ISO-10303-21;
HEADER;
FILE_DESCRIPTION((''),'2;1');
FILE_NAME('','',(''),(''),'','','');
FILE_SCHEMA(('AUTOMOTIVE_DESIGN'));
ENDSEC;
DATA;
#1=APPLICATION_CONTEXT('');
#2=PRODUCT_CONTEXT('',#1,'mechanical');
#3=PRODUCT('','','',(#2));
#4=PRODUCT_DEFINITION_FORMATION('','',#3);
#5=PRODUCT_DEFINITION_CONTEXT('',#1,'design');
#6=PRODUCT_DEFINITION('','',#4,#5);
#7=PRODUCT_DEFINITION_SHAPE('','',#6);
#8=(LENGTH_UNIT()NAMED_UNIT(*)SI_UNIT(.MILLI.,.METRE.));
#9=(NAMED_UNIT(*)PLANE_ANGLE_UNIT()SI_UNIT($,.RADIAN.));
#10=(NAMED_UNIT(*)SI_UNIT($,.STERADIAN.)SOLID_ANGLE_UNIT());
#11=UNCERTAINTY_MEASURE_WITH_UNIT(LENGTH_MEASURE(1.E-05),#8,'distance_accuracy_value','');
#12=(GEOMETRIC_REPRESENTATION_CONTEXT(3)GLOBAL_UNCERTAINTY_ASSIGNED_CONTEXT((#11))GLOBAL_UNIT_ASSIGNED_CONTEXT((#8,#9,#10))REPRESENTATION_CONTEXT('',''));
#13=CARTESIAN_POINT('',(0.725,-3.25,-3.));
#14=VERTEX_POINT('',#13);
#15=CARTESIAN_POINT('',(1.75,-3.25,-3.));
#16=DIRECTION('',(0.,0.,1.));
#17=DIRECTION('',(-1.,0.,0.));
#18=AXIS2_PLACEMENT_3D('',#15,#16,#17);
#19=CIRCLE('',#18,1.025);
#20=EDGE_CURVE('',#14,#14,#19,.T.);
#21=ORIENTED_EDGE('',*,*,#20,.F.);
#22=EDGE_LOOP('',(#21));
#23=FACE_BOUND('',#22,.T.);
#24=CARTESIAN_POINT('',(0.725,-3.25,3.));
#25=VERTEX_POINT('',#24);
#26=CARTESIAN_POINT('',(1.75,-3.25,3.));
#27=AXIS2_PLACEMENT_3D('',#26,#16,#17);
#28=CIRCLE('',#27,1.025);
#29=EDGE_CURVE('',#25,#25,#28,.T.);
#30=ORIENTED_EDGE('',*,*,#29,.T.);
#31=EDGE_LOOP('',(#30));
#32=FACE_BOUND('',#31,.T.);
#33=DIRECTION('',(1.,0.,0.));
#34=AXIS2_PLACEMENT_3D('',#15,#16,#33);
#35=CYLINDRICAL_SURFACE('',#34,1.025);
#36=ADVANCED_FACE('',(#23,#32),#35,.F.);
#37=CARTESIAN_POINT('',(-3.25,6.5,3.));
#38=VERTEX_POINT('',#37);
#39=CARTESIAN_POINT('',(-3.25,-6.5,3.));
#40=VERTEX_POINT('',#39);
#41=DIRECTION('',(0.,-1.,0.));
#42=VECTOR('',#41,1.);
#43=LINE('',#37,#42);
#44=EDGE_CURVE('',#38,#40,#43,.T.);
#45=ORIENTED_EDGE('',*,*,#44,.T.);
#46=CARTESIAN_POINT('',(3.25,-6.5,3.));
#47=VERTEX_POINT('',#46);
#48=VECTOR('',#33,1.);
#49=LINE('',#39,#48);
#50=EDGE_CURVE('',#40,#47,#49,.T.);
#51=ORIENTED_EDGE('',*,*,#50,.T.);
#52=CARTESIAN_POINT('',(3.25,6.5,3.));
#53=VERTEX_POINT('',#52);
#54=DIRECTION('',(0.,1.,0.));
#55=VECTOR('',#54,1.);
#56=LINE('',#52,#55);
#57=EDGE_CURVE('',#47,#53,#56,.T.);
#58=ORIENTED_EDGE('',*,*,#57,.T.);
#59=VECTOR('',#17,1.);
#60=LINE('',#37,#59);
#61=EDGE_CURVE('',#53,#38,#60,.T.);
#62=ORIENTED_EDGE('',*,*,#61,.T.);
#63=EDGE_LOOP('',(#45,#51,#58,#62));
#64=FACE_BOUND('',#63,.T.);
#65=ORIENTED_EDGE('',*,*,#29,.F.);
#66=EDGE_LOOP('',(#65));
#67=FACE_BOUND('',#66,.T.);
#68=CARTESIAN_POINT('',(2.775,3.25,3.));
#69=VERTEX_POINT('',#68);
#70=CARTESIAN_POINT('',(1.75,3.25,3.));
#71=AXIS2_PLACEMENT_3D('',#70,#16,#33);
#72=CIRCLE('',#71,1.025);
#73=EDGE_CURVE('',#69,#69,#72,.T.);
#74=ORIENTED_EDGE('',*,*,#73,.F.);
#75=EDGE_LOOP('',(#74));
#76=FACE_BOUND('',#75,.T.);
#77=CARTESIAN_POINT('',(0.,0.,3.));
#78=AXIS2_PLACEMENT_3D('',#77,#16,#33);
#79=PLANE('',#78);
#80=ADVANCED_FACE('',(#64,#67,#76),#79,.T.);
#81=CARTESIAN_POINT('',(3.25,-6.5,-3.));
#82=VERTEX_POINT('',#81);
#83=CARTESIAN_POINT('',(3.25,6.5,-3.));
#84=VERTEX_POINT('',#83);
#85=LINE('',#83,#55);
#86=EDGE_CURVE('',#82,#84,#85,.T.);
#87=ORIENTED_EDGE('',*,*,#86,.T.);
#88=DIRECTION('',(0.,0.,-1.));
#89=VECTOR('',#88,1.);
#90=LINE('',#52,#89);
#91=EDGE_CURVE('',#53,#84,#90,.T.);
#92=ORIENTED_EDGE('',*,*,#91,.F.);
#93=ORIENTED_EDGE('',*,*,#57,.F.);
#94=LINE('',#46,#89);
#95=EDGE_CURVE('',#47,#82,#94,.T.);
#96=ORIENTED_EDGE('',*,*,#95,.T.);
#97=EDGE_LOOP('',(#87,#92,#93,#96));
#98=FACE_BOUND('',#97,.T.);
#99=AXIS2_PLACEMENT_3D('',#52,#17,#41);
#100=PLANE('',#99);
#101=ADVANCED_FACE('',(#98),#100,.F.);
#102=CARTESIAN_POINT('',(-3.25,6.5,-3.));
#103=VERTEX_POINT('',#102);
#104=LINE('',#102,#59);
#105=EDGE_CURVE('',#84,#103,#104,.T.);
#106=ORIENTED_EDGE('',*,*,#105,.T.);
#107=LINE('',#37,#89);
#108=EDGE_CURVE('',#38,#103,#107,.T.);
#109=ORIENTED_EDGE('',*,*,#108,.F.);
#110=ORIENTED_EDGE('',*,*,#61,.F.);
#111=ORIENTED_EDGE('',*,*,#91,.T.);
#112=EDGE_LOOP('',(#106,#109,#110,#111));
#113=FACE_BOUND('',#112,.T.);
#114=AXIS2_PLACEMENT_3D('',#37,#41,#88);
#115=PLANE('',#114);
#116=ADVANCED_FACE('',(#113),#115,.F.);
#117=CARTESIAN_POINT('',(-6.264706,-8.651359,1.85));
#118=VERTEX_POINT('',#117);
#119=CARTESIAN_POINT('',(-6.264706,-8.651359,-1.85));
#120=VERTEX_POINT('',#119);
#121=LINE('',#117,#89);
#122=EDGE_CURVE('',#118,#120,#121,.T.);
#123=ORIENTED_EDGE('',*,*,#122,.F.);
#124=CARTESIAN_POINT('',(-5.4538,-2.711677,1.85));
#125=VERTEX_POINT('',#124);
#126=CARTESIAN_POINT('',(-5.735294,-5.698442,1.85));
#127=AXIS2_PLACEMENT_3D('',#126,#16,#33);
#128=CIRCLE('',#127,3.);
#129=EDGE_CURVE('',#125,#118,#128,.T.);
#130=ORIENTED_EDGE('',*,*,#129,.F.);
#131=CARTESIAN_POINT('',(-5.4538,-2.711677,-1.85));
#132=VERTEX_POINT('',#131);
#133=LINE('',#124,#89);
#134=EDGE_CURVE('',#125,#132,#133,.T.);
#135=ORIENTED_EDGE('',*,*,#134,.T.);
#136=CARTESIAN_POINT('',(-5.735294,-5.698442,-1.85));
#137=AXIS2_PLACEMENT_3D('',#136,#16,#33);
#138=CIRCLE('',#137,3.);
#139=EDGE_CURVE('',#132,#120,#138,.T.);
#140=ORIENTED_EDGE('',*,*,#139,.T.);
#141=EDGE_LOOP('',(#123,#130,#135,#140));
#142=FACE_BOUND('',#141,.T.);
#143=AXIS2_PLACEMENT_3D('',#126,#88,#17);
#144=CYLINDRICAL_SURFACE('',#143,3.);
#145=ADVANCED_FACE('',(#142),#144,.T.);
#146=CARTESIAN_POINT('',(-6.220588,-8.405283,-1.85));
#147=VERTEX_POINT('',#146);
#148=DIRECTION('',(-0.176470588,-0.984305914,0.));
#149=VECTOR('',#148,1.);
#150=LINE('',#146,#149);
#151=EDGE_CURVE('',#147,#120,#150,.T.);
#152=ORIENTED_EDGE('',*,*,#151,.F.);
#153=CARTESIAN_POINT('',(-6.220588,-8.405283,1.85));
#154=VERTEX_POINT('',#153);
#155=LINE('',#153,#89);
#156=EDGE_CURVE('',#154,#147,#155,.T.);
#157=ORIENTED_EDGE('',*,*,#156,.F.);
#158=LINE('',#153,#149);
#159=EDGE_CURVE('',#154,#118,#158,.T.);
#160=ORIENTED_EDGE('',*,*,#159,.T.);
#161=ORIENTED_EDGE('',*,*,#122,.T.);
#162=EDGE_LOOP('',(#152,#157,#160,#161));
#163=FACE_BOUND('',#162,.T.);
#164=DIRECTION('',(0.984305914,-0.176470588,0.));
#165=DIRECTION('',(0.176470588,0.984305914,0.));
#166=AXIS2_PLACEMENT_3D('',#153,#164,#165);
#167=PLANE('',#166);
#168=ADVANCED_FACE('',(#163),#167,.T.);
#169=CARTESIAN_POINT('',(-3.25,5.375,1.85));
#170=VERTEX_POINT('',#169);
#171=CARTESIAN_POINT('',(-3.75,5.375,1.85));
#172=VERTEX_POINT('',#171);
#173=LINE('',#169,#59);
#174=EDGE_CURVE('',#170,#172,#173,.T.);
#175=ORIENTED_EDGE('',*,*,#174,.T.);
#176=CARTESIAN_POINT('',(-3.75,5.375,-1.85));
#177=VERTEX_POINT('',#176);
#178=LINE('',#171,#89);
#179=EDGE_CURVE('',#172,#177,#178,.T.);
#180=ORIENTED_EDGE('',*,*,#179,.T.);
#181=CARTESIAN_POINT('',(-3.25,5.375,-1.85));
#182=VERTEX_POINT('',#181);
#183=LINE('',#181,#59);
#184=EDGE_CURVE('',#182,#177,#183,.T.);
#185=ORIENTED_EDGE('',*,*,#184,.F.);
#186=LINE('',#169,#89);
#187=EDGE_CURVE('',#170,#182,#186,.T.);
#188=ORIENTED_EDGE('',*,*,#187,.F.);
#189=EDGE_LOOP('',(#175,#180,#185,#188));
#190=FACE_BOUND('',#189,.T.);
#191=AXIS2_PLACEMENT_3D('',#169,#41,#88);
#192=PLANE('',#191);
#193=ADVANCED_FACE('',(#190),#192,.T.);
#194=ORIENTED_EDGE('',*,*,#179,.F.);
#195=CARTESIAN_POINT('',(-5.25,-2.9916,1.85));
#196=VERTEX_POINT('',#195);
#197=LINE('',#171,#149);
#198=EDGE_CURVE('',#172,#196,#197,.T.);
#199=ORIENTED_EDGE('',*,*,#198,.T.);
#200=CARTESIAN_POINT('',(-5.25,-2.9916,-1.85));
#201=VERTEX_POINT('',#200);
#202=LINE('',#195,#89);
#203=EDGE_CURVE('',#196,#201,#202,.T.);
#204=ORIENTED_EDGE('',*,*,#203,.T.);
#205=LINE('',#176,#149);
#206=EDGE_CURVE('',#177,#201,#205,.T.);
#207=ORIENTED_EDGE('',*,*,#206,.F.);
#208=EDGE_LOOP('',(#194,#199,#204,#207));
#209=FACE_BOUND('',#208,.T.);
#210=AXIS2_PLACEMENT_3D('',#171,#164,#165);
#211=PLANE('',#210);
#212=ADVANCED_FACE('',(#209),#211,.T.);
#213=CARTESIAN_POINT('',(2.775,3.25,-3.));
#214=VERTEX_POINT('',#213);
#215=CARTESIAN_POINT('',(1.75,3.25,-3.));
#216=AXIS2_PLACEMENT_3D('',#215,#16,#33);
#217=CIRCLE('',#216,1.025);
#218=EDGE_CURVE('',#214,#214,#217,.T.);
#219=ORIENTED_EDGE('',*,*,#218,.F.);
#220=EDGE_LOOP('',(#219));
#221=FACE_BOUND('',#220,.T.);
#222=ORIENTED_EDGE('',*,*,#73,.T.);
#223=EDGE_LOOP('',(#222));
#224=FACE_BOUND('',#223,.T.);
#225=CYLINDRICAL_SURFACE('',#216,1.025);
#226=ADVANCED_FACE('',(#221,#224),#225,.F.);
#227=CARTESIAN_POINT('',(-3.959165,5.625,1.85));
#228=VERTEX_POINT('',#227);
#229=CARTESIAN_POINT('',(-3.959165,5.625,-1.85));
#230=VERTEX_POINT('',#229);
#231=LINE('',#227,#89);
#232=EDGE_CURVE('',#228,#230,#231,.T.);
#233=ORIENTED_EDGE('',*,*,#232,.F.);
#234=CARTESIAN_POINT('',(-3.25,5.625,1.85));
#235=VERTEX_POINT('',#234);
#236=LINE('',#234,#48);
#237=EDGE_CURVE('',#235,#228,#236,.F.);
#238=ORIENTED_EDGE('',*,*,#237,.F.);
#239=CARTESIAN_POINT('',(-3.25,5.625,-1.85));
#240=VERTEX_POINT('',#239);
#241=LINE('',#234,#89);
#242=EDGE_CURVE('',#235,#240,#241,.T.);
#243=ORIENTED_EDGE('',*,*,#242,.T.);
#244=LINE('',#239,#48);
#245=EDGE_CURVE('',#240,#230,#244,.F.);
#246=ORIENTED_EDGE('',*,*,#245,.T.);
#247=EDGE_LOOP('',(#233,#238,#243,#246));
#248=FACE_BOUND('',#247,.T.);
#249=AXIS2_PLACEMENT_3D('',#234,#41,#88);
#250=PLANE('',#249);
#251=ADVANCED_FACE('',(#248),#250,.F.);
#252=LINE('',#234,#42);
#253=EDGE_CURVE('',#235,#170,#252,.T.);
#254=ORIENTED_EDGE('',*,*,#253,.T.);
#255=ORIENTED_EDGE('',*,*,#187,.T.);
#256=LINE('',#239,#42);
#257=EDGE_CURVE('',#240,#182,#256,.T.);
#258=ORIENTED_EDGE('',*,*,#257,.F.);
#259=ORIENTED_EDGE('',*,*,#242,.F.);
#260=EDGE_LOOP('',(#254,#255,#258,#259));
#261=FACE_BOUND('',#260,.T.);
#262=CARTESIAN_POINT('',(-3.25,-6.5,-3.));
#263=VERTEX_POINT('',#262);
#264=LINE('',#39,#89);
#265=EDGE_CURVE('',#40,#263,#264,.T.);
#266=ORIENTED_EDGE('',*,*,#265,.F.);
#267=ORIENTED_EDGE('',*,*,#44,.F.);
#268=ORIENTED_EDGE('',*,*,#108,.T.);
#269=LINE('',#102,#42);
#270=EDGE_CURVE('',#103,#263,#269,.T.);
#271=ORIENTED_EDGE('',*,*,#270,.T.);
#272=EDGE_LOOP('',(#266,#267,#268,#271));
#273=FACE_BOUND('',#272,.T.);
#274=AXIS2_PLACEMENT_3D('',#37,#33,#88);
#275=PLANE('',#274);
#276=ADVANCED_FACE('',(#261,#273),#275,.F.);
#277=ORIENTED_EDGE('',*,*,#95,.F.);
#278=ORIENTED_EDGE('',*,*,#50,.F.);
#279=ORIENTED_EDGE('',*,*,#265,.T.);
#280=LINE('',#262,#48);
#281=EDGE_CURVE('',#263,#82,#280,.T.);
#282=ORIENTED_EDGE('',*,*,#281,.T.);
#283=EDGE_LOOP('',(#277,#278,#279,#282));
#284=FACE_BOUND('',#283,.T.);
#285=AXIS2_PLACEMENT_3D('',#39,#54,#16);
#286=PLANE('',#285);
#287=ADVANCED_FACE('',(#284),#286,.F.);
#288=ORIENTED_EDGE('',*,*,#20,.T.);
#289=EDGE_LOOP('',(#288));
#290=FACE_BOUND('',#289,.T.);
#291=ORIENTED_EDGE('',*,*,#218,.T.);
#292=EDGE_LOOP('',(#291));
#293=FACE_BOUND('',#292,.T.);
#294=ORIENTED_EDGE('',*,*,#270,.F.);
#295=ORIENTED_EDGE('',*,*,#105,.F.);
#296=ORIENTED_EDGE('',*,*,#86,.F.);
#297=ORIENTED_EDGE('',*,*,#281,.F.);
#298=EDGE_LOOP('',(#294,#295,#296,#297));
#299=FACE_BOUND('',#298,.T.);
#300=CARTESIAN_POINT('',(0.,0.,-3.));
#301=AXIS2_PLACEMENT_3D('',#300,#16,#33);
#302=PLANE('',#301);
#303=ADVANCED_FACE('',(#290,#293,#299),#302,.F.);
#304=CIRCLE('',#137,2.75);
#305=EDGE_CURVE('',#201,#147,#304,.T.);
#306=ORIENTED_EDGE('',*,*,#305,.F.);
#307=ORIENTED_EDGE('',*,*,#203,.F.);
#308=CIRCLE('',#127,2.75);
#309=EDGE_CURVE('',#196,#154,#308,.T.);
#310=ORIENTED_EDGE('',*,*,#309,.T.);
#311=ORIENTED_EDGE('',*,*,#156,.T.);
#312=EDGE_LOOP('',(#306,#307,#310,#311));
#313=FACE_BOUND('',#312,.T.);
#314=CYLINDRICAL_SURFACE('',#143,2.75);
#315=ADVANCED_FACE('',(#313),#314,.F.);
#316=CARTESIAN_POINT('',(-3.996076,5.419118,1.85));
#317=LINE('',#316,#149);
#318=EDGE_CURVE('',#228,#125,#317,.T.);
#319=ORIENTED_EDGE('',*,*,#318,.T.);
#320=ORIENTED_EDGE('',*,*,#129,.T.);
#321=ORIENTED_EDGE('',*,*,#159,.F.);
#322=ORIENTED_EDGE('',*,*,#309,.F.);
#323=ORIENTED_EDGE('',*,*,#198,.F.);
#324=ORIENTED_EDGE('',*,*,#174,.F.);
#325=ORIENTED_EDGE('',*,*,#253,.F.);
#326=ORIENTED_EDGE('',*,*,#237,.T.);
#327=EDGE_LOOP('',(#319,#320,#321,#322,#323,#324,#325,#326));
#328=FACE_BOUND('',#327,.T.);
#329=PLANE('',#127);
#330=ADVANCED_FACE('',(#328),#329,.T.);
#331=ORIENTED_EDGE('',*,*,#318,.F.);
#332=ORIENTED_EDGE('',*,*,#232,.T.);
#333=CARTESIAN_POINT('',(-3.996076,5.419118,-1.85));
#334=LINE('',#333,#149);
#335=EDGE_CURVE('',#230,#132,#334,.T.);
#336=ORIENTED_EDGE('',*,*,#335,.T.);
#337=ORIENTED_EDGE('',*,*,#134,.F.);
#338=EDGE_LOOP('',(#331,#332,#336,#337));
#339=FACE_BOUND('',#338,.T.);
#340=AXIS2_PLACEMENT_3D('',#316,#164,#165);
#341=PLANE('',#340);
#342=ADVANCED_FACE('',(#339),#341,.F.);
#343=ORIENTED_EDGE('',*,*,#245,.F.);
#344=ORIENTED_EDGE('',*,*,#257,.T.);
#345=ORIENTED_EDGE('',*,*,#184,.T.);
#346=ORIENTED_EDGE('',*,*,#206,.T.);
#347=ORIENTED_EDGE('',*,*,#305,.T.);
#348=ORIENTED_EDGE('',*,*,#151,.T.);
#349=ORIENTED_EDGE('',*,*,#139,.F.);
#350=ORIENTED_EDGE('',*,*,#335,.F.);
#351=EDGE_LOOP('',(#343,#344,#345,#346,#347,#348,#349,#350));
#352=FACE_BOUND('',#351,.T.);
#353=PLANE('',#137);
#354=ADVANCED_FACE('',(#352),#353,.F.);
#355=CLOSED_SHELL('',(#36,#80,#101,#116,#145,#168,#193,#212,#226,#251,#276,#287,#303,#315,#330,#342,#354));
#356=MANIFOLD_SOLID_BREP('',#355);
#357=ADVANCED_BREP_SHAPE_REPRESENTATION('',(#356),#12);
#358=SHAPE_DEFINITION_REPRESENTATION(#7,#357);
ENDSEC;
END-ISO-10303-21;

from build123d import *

# Parameters (mm, degrees)
SKETCH1_W           = 6.5
SKETCH1_H           = 13
BOSS_EXTRUDE1_DEPTH = 3
SKETCH4_R           = 1.025
CUT_EXTRUDE1_DEPTH  = 7
EXTRUDE_THIN1_DEPTH = 1.85


with BuildPart() as part:
    # Sketch1 → Boss-Extrude1 (new body, symmetric)
    with BuildSketch(Plane.XY):
        Rectangle(SKETCH1_W, SKETCH1_H)
    extrude(amount=BOSS_EXTRUDE1_DEPTH, both=True)

    # Sketch4 → Cut-Extrude1 (cut, through all)
    with BuildSketch(Plane.XY.offset(3)):
        with Locations((1.75, 3.25)):
            Circle(SKETCH4_R)
        with Locations((1.75, -3.25)):
            Circle(SKETCH4_R)
    extrude(amount=-CUT_EXTRUDE1_DEPTH, mode=Mode.SUBTRACT)

    # Sketch9 → Extrude-Thin1 (add, symmetric)
    with BuildSketch(Plane.XY):
        with BuildLine():
            Line((-3.25, 5.375), (-3.75, 5.375))
            Line((-3.75, 5.375), (-5.25, -2.991600265))
            ThreePointArc((-5.25, -2.991600265), (-8.44213538, -5.21314741), (-6.220588235, -8.40528279))
            Line((-6.220588235, -8.40528279), (-6.264705882, -8.651359268))
            ThreePointArc((-6.264705882, -8.651359268), (-8.707721009, -5.292635692), (-5.453800269, -2.711677189))
            Line((-5.453800269, -2.711677189), (-3.959165007, 5.625))
            Line((-3.959165007, 5.625), (-3.25, 5.625))
            Line((-3.25, 5.625), (-3.25, 5.375))
        make_face()
    extrude(amount=EXTRUDE_THIN1_DEPTH, both=True)


solid = part.part
